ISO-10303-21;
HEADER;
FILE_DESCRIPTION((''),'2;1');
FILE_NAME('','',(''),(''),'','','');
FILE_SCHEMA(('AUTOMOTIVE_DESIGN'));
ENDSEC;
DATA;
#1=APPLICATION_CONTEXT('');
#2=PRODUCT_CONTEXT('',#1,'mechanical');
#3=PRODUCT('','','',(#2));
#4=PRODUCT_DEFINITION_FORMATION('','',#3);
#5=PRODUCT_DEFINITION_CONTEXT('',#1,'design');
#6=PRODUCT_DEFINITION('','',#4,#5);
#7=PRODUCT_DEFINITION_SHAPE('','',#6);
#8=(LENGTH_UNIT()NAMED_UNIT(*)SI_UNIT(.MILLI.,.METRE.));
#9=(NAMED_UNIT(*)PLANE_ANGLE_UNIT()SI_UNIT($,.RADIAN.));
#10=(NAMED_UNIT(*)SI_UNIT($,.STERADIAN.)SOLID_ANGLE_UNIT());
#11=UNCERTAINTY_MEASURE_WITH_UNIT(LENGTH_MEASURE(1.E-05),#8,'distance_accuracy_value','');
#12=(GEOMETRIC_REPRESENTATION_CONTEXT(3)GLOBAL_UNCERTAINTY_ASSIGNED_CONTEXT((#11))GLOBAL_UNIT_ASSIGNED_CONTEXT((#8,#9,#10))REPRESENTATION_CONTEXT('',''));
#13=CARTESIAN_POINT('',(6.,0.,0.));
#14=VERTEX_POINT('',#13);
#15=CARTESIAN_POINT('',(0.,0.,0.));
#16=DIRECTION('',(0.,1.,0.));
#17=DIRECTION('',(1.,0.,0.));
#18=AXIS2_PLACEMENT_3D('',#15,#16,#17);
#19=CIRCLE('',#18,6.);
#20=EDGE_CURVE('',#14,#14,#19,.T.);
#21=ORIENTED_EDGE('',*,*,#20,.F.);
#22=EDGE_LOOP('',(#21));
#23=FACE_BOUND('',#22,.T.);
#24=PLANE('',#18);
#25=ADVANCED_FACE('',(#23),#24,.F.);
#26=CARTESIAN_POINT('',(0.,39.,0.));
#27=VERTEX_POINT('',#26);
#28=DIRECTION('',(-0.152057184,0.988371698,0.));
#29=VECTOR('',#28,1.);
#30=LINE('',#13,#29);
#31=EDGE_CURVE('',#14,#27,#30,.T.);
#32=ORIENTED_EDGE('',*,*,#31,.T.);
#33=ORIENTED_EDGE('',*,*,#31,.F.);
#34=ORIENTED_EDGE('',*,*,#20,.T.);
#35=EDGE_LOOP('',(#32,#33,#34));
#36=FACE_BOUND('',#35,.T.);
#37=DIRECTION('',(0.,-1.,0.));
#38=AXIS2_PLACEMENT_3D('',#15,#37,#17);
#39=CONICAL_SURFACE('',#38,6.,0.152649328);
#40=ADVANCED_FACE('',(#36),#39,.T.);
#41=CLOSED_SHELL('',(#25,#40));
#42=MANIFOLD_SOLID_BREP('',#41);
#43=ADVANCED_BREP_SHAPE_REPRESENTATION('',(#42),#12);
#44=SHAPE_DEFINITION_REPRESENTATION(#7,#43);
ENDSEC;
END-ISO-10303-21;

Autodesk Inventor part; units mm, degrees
ref_plane "YZ Plane" through (0, 0, 0) normal (1, 0, 0) x (0, 1, 0)
ref_plane "XZ Plane" through (0, 0, 0) normal (0, 1, 0) x (-1, 0, 0)
ref_plane "XY Plane" through (0, 0, 0) normal (0, 0, 1) x (1, 0, 0)
sketch "Sketch1" plane through (0, 0, 0) normal (0, 0, 1) x (1, 0, 0)
  line L0 (0, 0) -> (0, 39)
  line L1 (0, 0) -> (6, 0)
  line L2 (6, 0) -> (0, 39)
  dimension "d1" = 39
  dimension "d2" = 6
revolve "Revolution1" add sketch "Sketch1" angle 360 about axis through (0, 0, 0) along (0, 1, 0)
properties part number "Tip"
